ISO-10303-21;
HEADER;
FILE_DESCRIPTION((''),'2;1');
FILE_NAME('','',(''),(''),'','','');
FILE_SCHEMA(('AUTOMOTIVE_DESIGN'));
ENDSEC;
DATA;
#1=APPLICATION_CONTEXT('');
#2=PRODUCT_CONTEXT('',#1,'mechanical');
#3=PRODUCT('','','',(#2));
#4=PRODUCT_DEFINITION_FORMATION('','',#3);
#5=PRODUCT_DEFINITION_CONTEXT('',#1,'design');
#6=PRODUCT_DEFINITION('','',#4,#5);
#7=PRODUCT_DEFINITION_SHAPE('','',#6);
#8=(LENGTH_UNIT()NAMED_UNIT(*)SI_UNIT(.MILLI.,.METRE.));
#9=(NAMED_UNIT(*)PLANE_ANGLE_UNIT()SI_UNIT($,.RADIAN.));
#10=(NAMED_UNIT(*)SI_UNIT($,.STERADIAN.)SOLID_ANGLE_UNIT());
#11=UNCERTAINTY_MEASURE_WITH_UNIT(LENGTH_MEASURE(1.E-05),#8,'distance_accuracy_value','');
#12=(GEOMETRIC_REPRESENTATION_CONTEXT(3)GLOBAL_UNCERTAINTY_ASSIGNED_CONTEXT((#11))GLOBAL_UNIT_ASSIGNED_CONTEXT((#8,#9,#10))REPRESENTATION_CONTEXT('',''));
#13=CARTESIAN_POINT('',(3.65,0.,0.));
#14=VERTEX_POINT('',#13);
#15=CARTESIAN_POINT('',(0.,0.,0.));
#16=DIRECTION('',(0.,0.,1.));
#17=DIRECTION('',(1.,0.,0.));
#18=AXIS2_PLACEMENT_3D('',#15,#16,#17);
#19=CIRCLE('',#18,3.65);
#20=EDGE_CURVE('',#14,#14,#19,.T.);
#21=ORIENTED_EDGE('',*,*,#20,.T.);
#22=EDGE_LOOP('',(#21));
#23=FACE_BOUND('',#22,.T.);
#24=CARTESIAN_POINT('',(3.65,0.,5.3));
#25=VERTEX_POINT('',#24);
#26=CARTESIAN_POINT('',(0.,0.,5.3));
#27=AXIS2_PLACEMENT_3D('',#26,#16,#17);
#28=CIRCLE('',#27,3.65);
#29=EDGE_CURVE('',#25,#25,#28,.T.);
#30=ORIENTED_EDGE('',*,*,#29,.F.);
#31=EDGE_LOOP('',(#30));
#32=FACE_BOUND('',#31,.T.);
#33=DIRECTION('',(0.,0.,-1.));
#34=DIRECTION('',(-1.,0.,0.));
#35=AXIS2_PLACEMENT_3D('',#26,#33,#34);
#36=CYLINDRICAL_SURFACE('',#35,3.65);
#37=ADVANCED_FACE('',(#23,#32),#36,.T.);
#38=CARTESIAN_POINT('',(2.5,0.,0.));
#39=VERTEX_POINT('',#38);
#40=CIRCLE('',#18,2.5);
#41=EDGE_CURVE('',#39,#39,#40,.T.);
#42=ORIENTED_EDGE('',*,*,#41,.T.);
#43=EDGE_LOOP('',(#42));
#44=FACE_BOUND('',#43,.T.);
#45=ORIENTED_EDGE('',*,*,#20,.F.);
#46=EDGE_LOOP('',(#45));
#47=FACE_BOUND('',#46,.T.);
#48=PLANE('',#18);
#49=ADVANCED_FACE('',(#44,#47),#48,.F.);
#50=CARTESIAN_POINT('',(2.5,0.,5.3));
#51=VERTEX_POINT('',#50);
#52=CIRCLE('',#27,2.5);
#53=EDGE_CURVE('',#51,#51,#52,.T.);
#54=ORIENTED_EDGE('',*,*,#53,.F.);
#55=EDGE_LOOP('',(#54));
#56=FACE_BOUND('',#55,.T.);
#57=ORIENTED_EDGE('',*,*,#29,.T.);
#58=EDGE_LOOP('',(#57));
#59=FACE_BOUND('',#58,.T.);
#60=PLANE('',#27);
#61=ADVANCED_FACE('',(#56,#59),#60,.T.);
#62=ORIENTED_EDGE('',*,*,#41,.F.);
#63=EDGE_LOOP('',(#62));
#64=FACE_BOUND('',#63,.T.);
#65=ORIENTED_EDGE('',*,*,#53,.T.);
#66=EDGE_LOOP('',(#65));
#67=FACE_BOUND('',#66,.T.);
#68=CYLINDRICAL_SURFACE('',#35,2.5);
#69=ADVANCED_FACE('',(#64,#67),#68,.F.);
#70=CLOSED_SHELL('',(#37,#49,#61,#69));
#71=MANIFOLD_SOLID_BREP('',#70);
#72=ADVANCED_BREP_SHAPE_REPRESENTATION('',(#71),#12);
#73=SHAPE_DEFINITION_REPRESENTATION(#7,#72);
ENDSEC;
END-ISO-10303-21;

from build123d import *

# Parameters (mm, degrees)
SKIZZE1_R                       = 3.65
SKIZZE1_R_2                     = 2.5
AUFSATZ_LINEAR_AUSTRAGEN1_DEPTH = 5.3


with BuildPart() as part:
    # Skizze1 → Aufsatz-Linear austragen1 (new body)
    with BuildSketch(Plane.XY):
        Circle(SKIZZE1_R)
        Circle(SKIZZE1_R_2, mode=Mode.SUBTRACT)
    extrude(amount=AUFSATZ_LINEAR_AUSTRAGEN1_DEPTH)


solid = part.part
